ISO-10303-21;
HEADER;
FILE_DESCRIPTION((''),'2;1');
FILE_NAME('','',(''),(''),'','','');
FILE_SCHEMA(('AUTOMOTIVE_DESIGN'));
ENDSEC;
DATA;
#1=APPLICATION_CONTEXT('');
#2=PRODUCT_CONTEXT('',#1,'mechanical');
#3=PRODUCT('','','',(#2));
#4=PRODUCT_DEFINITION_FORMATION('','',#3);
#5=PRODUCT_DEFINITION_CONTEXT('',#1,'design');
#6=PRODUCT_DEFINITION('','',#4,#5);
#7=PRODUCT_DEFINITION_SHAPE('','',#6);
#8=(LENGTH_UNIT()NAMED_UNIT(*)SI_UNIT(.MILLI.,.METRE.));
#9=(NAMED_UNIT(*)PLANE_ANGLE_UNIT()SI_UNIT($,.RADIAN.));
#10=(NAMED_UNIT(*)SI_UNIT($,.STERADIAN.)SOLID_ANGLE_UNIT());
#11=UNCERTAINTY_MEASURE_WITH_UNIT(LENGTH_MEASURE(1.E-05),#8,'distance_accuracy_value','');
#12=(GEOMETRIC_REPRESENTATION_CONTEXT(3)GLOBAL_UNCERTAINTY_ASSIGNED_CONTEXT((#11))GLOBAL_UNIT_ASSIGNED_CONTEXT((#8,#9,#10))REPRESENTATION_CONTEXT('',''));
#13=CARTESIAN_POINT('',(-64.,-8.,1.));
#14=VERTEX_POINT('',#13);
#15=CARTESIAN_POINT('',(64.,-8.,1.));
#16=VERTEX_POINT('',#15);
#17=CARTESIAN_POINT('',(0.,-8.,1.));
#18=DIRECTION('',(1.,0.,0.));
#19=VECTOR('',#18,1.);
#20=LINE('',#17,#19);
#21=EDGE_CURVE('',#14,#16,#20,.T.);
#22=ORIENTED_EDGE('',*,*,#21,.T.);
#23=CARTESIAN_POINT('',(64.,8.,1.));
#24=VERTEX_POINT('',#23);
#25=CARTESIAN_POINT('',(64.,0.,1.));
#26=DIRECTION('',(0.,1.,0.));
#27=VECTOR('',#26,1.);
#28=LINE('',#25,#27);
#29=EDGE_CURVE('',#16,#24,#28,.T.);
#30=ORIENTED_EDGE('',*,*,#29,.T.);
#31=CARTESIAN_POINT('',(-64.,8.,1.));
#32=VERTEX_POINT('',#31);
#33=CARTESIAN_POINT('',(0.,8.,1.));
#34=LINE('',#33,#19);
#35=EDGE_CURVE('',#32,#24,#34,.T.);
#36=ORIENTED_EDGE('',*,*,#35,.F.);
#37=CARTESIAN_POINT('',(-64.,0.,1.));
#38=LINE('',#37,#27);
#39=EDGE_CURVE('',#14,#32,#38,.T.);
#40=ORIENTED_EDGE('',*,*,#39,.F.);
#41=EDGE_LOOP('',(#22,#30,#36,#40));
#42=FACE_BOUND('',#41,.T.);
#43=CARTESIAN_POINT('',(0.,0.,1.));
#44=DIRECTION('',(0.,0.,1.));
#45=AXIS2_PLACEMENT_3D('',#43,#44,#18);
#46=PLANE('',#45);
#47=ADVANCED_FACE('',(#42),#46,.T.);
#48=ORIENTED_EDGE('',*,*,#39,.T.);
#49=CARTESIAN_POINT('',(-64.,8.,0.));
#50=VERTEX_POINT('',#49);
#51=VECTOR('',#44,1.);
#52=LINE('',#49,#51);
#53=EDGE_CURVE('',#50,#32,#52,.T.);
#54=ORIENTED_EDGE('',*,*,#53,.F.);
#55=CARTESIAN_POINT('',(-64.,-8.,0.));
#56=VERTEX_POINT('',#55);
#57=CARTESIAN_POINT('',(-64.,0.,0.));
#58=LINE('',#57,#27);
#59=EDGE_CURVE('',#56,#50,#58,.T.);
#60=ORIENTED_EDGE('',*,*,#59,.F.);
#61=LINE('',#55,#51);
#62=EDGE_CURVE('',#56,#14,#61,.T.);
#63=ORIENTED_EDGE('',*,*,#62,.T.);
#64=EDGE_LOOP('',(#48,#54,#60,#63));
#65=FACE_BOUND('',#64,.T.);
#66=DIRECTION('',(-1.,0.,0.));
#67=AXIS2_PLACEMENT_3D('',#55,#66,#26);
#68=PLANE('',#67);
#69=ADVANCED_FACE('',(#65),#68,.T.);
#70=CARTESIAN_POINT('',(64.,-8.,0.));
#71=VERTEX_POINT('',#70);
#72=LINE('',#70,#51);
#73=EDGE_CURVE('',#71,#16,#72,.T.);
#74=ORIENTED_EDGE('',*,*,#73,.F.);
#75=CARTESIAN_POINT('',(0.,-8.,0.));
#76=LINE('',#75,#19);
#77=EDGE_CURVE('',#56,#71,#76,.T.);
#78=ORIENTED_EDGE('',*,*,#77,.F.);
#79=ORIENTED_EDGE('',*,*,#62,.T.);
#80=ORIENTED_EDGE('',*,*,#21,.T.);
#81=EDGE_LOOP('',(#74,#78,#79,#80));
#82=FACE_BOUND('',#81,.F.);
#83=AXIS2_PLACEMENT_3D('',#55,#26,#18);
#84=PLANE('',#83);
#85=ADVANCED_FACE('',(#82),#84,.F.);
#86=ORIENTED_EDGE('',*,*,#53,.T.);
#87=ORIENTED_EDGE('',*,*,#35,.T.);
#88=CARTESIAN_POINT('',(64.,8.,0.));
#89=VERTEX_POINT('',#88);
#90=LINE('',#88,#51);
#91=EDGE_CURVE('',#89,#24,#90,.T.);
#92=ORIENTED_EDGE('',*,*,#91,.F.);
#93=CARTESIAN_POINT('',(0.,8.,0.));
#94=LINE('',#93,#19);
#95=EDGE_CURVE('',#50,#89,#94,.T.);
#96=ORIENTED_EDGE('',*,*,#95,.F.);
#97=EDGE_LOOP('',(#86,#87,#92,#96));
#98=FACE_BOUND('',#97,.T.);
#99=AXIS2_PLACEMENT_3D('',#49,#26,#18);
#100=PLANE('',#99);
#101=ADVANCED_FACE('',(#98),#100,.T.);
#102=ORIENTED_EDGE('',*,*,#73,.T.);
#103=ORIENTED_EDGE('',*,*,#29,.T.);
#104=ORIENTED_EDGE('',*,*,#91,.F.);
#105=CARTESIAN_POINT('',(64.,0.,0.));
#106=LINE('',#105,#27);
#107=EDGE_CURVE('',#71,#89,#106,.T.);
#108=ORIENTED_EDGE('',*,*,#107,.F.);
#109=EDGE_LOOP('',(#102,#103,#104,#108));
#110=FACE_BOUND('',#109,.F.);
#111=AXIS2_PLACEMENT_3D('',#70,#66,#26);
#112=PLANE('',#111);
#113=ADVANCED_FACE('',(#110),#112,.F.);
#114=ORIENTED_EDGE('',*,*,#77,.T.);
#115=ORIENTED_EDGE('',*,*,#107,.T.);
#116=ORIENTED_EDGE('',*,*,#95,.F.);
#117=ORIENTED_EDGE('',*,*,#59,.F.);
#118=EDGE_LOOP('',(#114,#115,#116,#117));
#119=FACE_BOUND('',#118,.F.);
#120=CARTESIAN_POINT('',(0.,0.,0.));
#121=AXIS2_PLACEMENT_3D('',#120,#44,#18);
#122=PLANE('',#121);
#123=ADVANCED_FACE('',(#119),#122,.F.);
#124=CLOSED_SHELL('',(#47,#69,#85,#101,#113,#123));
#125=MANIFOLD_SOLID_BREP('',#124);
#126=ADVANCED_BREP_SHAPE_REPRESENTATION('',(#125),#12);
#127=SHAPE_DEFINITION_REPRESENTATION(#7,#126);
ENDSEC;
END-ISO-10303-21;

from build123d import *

# Parameters (mm, degrees)
F0_W     = 125
F0_H     = 15
F1_DEPTH = 1
F2_W     = 128
F2_H     = 16
F3_DEPTH = 1


with BuildPart() as f1:
    # F0 (on Top) → F1 (new body)
    with BuildSketch(Plane.XY):
        Rectangle(F0_W, F0_H)
    extrude(amount=F1_DEPTH)

    # F2 (on Top) → F3 (join)
    with BuildSketch(Plane.XY):
        Rectangle(F2_W, F2_H)
    extrude(amount=F3_DEPTH)


solid = f1.part
